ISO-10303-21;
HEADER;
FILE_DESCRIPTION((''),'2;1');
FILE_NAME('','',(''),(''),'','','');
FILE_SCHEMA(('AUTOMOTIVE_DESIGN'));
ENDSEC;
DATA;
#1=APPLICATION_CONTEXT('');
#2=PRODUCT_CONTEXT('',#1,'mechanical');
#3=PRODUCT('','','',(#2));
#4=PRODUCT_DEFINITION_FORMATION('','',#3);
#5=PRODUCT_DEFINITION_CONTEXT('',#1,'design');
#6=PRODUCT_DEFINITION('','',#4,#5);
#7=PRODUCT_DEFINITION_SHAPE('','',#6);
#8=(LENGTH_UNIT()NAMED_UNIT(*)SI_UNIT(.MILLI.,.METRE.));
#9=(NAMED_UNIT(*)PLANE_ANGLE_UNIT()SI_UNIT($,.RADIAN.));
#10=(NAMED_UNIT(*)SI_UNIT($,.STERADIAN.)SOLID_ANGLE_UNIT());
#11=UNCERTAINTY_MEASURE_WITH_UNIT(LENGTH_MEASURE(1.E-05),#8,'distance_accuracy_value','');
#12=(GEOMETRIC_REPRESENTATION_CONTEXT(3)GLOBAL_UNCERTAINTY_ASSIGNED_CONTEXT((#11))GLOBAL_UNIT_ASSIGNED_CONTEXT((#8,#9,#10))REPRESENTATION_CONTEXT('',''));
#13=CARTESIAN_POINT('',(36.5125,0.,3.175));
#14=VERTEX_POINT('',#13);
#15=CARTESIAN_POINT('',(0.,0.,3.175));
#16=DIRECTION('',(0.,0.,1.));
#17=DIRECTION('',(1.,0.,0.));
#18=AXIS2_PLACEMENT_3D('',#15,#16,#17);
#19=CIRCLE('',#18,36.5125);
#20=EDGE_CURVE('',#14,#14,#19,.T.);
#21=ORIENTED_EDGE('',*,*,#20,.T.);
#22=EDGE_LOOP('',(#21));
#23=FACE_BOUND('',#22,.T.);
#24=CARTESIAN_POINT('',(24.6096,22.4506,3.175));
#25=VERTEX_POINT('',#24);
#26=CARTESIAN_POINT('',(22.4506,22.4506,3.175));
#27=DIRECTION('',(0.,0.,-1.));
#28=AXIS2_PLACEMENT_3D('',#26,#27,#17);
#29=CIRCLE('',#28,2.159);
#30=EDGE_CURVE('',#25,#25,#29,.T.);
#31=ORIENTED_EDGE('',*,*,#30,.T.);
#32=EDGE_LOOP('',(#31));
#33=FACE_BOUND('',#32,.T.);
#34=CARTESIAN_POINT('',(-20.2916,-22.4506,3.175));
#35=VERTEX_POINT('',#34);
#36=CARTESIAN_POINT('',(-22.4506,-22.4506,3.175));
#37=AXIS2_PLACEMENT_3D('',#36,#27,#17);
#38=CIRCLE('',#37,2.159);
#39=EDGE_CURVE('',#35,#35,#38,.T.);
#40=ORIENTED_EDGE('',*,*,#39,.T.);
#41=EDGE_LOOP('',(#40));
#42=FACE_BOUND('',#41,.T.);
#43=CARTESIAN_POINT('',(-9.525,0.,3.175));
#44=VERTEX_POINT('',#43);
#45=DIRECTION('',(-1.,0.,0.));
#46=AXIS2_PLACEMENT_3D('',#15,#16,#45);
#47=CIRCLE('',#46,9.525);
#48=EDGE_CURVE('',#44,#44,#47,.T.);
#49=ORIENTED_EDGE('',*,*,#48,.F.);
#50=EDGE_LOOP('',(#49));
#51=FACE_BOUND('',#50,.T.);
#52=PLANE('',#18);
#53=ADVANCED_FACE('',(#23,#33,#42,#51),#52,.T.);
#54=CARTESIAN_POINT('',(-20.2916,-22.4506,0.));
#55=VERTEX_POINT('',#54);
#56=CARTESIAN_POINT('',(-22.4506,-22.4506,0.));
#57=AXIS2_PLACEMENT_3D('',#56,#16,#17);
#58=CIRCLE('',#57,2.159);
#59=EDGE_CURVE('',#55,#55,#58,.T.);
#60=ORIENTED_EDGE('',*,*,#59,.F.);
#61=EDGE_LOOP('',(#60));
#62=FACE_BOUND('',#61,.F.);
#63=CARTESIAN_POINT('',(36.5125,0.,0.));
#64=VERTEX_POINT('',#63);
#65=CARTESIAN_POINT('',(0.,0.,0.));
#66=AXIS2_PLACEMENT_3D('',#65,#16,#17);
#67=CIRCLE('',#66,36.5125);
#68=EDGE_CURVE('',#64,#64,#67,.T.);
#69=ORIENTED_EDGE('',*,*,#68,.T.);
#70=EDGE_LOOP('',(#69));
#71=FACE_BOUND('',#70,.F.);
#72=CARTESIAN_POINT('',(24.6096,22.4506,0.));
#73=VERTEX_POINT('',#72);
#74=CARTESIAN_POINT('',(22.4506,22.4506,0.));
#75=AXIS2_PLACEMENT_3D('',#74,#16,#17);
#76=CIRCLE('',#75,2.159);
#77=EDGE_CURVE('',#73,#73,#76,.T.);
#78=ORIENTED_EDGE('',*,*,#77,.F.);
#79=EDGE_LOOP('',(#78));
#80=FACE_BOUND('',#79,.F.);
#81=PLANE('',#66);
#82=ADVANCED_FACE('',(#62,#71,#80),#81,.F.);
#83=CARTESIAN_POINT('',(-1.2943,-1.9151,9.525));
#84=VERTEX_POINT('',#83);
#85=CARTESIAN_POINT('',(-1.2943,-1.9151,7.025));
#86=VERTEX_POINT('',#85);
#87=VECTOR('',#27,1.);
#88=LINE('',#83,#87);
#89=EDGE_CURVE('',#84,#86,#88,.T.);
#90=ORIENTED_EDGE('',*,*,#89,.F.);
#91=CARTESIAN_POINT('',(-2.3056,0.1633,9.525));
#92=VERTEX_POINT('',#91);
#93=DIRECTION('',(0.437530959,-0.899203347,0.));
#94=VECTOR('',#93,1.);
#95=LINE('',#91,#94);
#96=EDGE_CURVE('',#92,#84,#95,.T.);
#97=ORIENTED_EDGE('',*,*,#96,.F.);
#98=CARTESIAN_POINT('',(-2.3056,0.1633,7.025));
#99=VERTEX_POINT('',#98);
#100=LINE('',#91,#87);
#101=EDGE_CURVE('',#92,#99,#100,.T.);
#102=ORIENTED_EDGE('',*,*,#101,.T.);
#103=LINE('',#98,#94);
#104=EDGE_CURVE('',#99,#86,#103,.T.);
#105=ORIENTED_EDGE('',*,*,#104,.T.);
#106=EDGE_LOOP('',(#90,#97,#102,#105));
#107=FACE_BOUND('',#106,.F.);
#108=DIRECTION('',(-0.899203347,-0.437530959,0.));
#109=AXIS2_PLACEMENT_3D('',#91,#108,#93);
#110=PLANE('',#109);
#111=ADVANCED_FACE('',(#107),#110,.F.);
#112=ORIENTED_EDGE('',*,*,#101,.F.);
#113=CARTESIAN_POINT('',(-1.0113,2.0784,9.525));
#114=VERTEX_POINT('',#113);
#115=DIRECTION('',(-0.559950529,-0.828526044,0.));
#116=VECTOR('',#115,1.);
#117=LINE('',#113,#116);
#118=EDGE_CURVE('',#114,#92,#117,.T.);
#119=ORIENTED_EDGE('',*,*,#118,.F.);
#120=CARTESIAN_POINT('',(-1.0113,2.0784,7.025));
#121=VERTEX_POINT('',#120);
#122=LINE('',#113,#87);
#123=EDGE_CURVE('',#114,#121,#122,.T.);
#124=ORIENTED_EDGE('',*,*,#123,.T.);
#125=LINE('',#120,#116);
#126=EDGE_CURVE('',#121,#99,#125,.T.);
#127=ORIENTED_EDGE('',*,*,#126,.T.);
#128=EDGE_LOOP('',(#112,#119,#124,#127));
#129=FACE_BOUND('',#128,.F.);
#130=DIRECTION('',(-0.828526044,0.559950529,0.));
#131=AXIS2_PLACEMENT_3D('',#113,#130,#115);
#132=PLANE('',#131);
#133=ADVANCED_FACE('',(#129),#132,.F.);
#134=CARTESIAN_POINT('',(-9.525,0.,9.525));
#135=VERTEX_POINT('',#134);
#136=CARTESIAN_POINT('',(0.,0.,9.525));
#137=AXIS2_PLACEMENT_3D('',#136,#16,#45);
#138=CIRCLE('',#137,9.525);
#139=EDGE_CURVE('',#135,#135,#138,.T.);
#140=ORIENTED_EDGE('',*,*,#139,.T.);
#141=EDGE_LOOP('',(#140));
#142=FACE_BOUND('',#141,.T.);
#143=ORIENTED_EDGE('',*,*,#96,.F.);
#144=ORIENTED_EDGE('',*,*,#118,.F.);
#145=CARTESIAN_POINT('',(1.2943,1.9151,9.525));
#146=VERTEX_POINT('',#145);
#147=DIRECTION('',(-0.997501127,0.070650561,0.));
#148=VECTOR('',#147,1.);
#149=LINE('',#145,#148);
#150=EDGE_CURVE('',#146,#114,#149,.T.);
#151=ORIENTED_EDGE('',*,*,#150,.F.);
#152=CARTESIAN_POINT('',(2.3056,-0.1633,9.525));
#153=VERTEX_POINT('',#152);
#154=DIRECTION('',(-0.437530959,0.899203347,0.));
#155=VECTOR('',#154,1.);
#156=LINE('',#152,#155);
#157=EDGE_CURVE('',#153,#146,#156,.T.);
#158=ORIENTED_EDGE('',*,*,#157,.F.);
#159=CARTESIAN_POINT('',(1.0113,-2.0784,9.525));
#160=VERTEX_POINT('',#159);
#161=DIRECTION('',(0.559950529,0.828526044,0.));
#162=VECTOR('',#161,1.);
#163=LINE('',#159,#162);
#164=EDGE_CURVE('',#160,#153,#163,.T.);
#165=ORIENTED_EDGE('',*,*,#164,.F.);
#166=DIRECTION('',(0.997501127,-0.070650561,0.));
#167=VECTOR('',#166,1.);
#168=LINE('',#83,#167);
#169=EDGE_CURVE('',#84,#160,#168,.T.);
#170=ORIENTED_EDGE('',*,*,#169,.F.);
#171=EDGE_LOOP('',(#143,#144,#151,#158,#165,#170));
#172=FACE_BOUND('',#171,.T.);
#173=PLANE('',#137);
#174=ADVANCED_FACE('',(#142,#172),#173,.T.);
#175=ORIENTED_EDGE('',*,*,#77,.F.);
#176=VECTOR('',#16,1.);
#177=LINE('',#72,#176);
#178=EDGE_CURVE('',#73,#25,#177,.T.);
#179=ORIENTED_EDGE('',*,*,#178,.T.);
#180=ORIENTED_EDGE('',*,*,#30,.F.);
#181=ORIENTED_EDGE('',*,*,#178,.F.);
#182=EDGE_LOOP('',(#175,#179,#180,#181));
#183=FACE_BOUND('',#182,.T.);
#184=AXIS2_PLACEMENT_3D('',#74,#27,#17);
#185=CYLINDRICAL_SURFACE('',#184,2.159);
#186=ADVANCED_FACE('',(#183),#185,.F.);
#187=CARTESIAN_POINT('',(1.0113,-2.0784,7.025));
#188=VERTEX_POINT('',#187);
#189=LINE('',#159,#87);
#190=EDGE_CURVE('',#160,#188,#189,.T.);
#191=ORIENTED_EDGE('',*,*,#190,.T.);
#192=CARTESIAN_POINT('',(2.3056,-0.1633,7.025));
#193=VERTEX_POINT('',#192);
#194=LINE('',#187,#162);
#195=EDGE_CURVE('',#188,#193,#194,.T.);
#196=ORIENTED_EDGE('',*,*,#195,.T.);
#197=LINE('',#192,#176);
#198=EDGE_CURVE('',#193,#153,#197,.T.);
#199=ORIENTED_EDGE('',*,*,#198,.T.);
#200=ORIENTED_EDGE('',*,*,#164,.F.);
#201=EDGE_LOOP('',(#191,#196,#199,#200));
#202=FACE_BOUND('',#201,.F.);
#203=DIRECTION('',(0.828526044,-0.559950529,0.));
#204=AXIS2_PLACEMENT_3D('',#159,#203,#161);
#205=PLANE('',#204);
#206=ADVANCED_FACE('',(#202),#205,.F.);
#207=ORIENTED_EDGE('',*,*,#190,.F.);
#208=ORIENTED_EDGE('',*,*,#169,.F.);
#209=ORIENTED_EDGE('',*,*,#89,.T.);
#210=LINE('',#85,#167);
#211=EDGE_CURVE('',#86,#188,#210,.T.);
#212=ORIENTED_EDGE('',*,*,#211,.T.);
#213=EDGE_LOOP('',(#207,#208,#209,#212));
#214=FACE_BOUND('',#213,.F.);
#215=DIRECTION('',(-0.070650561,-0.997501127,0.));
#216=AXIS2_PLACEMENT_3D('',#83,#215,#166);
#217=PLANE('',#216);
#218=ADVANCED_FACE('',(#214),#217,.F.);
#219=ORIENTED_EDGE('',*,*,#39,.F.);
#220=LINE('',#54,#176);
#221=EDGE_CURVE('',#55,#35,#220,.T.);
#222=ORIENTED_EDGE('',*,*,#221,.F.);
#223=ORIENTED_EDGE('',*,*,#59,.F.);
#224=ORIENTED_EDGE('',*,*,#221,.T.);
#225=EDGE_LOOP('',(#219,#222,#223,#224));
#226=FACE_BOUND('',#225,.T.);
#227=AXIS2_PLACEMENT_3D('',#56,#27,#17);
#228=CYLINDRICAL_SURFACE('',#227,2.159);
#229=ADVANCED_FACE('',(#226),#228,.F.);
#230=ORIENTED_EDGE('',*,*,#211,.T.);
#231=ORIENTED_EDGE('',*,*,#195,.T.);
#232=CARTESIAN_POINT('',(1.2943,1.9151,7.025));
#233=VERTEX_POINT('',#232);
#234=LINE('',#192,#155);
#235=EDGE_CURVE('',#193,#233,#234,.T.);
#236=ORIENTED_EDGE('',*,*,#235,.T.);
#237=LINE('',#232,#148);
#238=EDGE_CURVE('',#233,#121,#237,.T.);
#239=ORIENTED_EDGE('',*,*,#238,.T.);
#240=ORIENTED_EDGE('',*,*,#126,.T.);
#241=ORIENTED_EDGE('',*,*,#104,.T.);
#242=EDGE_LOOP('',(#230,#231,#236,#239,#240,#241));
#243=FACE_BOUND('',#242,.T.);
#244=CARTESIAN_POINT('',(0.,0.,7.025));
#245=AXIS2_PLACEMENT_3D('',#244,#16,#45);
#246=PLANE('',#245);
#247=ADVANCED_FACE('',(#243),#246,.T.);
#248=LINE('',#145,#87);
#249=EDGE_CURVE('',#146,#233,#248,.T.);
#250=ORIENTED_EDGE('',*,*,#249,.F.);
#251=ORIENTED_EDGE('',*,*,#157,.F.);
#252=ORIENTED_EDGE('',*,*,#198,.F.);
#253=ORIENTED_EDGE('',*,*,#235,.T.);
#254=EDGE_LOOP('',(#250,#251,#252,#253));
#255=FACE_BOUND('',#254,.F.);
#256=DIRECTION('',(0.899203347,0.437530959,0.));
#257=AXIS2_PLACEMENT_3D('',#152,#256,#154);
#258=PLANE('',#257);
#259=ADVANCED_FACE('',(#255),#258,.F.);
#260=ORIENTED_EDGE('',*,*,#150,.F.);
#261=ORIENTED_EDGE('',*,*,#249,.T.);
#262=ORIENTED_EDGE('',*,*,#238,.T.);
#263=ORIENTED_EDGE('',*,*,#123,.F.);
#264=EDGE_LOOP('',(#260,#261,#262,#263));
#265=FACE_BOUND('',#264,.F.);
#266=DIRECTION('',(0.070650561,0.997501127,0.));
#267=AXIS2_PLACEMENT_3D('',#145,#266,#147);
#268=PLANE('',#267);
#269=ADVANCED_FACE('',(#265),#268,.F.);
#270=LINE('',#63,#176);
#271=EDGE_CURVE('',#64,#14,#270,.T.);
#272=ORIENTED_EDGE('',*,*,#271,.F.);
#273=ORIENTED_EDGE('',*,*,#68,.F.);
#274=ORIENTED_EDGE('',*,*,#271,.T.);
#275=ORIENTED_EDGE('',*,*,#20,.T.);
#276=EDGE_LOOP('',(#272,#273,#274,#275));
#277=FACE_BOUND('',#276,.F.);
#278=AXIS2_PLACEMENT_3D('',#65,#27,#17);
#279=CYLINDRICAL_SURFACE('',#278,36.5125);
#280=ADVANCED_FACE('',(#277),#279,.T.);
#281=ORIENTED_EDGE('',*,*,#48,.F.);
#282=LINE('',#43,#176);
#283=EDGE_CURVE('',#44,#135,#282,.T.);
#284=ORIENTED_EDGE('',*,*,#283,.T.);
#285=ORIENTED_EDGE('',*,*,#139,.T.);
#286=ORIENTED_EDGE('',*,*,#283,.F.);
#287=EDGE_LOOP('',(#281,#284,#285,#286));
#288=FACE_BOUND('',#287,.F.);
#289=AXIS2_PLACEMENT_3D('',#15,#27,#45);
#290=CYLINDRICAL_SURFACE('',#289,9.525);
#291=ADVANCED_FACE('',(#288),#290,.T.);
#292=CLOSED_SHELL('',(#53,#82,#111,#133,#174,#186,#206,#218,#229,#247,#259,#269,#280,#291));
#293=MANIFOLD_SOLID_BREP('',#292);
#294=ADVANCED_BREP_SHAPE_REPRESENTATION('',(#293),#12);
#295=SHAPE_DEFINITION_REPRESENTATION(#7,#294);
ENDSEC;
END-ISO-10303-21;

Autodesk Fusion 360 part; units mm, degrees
sketch "Sketch1" plane through (0, 0, 0) normal (0, 0, 1) x (1, 0, 0)
  circle A0 centre (0, 0) radius 18.2563
  line L0 (0, 0) -> (18.2563, 0) construction
  circle A1 centre (22.4506, 22.4506) radius 2.159
  circle A2 centre (-22.4506, -22.4506) radius 2.159
  circle A3 centre (0, 0) radius 9.525
  circle A4 centre (0, 0) radius 36.5125
  circle A5 centre (0, 0) radius 31.75
  line L1 (0, 0) -> (22.4506, 22.4506)
  line L2 (0, 0) -> (21.082, 0) construction
  line L3 (0, 0) -> (-22.4506, -22.4506)
  line L4 (0, 0) -> (21.082, 0) construction
  dimension "d1" = 36.5125
  dimension "d16" = 4.318
  dimension "d18" = 4.318
  dimension "d24" = 19.05
  dimension "d33" = 73.025
  dimension "d34" = 63.5
  dimension "d35" = 45
  dimension "d36" = 135
extrude "Extrude2" add sketch "Sketch1" along normal blind 3.175 contours A0 A3 L1 L3 | A0 A3 L1 L3 | A3 L1 L3 | A3 L1 L3
sketch "Sketch2" plane through (0, 0, 3.175) normal (0, 0, 1) x (-1, 0, 0)
  circle A0 centre (0, 0) radius 18.2563
  circle A1 centre (0, 0) radius 9.525
  dimension "d27" = 19.05
extrude "Extrude3" add sketch "Sketch2" along normal blind 6.35 contours A1
sketch "Sketch3" plane through (0, 0, 9.525) normal (0, 0, 1) x (-1, 0, 0)
  circle A0 centre (0, 0) radius 9.525
  line L0 (-1.2943, -1.9151) -> (1.0113, -2.0784)
  line L1 (1.0113, -2.0784) -> (2.3056, -0.1633)
  line L2 (2.3056, -0.1633) -> (1.2943, 1.9151)
  line L3 (1.2943, 1.9151) -> (-1.0113, 2.0784)
  line L4 (-1.0113, 2.0784) -> (-2.3056, 0.1633)
  line L5 (-2.3056, 0.1633) -> (-1.2943, -1.9151)
  dimension "d42" = 2.3114
extrude "Extrude7" add sketch "Sketch1" along normal blind 3.175 contours A0 A1 A2 A5 L1 L3 | A0 A1 A2 A5 L1 L3 | A4
extrude "Extrude8" cut sketch "Sketch3" against normal blind 2.3813 contours L0 L1 L2 L3 L4 L5
extrude "Extrude6" add sketch "Sketch1" along normal blind 3.175 contours A0 A1 A2 A5 L1 L3 | A0 A1 A2 A5 L1 L3 | A4
extrude "Extrude4" cut sketch "Sketch3" against normal blind 2.5 contours L0 L1 L2 L3 L4 L5
extrude "Extrude5" add sketch "Sketch1" along normal blind 3.175 contours A0 A1 A2 A5 L1 L3 | A0 A1 A2 A5 L1 L3 | A4
equation "d1 = ( 23 / 16 ) * 1 in"
equation "d45 = ( -3 / 32 ) * 1 in"
